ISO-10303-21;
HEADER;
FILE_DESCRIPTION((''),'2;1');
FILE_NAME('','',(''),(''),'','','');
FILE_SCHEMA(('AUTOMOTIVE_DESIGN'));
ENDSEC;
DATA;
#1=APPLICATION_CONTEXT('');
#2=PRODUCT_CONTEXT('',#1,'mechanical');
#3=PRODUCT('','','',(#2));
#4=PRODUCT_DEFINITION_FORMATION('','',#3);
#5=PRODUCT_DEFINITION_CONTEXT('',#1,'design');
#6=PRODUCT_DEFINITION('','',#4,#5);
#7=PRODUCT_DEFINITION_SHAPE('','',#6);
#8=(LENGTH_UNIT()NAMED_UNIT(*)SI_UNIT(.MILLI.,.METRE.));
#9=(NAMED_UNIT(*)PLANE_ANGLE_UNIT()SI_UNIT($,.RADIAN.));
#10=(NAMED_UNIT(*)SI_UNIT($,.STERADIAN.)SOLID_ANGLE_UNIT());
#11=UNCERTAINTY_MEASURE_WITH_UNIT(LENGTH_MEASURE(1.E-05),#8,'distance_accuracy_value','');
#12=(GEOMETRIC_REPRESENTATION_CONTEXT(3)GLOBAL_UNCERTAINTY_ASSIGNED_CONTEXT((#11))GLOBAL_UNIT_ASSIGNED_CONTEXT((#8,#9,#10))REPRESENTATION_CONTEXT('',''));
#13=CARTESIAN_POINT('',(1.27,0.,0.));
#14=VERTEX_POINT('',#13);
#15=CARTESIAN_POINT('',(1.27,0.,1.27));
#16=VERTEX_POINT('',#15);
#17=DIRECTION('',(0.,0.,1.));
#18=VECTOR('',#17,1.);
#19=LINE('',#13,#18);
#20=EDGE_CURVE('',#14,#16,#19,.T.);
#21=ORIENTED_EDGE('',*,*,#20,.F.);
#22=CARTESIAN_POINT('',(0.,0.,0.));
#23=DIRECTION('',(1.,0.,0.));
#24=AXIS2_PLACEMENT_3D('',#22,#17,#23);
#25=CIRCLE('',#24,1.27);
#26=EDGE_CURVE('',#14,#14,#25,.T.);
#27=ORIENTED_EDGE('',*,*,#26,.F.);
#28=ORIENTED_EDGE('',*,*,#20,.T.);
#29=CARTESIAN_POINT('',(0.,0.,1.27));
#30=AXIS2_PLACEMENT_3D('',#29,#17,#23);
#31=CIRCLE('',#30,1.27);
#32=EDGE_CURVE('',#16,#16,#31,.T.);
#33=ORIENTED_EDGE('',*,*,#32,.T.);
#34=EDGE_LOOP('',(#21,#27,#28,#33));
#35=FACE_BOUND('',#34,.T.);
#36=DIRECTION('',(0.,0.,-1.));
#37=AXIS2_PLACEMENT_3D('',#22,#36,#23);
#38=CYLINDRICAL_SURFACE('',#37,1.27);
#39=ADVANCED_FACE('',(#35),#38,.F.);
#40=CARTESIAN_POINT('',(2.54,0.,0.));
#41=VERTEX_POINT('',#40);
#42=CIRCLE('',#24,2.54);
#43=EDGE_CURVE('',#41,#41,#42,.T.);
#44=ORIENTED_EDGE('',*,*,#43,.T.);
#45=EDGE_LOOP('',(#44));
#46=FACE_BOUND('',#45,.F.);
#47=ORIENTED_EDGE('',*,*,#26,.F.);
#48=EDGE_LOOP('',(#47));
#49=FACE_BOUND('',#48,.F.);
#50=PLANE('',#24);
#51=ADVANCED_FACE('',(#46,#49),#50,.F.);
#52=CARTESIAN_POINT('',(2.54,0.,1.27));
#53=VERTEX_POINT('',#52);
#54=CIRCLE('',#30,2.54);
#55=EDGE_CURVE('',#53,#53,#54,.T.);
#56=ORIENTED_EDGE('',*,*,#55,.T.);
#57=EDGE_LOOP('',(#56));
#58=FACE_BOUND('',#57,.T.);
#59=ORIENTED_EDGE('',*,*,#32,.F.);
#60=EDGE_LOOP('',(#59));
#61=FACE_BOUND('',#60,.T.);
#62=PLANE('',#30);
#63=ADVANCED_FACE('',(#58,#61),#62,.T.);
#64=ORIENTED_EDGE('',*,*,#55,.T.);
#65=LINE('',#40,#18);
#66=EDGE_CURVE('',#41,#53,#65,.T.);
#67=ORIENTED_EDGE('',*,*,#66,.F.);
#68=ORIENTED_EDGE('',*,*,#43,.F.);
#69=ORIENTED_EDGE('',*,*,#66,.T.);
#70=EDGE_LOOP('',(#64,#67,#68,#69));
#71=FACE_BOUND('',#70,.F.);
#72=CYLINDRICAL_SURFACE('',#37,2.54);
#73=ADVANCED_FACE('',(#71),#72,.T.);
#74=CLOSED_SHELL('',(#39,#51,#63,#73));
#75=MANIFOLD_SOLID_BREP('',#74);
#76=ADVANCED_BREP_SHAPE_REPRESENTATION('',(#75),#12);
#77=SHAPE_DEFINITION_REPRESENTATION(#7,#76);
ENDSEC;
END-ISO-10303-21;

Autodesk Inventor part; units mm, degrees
ref_plane "YZ Plane" through (0, 0, 0) normal (1, 0, 0) x (0, 1, 0)
ref_plane "XZ Plane" through (0, 0, 0) normal (0, 1, 0) x (-1, 0, 0)
ref_plane "XY Plane" through (0, 0, 0) normal (0, 0, 1) x (1, 0, 0)
sketch "Sketch1" plane through (0, 0, 0) normal (0, 0, 1) x (1, 0, 0)
  circle A0 centre (0, 0) radius 1.27
  circle A1 centre (0, 0) radius 2.54
  dimension "d0" = 2.54
  dimension "d1" = 5.08
extrude "Extrusion1" add sketch "Sketch1" along normal blind 1.27
properties part number "6-32 Bushing"
